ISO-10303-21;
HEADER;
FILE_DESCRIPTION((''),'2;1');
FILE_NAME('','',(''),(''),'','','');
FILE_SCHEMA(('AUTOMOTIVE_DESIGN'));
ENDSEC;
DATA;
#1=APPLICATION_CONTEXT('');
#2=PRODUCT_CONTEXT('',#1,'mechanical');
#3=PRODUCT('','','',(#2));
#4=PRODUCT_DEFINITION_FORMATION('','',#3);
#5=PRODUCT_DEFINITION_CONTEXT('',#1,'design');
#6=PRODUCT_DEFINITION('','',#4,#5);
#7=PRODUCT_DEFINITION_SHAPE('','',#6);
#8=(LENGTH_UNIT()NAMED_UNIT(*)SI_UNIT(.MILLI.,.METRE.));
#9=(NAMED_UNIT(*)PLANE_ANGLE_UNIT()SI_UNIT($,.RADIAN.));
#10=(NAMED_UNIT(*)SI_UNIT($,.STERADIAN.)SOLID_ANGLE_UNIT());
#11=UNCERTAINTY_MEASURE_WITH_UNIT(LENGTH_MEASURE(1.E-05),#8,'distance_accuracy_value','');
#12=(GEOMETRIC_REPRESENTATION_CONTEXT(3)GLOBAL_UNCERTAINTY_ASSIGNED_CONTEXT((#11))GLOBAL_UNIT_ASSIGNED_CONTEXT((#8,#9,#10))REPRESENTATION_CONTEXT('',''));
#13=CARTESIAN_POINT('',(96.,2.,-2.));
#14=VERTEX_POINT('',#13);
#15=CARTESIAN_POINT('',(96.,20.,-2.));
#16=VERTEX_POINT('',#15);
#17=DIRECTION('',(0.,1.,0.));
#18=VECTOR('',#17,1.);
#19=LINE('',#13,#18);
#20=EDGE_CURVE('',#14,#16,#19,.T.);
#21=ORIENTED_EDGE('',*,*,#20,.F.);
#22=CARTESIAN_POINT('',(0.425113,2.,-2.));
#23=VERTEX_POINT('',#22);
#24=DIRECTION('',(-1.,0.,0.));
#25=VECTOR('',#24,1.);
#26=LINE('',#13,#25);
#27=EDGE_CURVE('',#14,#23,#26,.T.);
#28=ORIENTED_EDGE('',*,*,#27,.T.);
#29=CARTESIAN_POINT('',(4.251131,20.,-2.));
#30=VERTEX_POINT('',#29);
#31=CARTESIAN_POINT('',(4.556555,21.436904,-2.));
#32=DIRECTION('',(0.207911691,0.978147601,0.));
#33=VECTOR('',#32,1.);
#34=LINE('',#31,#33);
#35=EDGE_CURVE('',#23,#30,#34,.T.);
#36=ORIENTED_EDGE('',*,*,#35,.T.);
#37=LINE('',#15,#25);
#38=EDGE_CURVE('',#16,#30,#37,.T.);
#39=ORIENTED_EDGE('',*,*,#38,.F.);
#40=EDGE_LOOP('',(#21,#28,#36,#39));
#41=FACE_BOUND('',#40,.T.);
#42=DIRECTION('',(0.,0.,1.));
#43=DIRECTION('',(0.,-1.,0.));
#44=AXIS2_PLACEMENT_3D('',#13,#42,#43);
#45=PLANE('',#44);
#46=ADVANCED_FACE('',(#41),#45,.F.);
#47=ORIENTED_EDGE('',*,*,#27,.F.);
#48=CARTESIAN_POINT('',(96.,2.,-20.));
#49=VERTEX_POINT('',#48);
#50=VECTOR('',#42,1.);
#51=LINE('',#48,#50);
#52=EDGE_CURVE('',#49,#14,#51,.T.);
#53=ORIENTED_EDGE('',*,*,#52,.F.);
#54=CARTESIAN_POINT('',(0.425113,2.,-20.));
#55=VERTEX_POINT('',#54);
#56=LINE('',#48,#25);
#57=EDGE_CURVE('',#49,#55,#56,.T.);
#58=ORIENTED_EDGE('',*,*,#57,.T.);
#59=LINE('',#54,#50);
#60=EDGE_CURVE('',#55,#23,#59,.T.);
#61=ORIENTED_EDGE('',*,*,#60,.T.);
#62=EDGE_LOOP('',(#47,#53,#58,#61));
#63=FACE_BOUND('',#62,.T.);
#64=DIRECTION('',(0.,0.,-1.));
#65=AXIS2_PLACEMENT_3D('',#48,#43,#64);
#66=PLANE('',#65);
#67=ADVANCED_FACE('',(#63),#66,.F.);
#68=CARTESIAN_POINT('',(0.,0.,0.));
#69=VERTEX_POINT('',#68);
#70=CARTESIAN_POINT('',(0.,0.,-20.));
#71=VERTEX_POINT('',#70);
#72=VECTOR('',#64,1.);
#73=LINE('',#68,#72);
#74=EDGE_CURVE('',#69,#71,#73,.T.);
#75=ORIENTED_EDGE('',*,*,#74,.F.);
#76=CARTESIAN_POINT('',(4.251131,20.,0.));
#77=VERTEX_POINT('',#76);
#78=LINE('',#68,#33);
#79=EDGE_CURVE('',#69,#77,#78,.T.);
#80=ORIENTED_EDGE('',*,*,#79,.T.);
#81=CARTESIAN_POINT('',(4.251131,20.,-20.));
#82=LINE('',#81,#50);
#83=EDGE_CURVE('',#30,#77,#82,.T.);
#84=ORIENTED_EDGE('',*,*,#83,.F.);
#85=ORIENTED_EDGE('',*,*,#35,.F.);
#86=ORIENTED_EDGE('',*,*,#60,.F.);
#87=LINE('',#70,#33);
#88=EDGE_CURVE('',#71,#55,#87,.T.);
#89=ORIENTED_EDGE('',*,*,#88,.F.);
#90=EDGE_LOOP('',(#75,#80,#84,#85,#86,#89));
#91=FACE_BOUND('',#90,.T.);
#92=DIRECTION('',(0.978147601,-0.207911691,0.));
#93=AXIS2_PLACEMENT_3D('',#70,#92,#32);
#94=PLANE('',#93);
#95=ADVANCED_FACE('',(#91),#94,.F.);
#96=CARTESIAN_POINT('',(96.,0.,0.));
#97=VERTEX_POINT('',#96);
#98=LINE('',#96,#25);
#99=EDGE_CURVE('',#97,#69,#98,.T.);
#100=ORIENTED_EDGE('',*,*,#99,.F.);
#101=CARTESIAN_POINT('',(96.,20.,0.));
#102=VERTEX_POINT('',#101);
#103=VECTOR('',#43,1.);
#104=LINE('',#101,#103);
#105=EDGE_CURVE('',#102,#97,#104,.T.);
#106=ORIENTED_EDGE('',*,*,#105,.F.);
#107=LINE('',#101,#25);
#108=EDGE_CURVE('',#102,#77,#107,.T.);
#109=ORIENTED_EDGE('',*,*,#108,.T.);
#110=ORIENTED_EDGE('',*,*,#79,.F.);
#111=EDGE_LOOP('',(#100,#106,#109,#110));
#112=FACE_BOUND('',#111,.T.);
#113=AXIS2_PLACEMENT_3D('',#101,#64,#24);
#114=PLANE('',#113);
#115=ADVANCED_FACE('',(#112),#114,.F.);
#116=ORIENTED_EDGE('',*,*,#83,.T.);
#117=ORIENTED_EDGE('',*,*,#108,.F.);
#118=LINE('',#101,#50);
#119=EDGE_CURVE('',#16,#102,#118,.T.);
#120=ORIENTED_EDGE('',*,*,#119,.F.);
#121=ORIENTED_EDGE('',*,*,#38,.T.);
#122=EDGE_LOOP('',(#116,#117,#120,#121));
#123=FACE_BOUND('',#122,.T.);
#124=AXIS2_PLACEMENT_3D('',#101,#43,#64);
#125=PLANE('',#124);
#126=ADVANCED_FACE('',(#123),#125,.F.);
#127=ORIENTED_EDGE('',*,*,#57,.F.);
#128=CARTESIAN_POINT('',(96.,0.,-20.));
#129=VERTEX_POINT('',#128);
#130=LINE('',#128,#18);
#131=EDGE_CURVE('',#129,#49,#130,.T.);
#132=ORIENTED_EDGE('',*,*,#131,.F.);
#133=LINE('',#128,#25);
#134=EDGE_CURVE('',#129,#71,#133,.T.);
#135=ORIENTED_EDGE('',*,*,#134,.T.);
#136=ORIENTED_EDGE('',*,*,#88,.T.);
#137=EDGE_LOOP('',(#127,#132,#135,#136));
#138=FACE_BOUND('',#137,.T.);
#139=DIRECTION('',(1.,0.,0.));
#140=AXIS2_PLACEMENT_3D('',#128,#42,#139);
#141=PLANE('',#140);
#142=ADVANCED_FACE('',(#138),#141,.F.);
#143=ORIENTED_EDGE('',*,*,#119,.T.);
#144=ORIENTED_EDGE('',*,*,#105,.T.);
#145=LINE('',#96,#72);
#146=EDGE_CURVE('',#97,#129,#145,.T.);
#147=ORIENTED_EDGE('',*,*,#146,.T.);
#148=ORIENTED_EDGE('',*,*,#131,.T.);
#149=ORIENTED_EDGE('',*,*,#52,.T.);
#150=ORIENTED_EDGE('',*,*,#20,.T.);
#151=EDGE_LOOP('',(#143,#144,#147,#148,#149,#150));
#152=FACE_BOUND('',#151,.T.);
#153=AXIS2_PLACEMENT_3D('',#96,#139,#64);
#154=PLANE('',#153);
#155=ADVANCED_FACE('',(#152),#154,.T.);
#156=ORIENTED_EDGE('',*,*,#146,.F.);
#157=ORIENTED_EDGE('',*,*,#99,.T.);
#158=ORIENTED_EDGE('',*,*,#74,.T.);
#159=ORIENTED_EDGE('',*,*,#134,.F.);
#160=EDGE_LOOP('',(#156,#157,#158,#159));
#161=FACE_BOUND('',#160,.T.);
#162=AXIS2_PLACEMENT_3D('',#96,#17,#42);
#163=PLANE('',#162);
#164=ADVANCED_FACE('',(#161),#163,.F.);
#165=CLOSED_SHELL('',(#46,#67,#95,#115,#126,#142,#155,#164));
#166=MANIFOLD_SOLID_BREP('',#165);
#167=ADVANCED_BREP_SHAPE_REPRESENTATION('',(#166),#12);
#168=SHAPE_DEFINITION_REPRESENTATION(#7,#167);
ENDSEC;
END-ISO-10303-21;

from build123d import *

# Parameters (mm, degrees)
BOSS_EXTRUDE1_DEPTH = 96
CUT_EXTRUDE1_DEPTH  = 101.079968026


with BuildPart() as part:
    # Sketch1 → Boss-Extrude1 (new body)
    with BuildSketch(Plane(origin=(0, 0, 0), x_dir=(0, 0, -1), z_dir=(1, 0, 0))):
        Polygon((0, 20), (0, 0), (20, 0), (20, 2), (2, 2), (2, 20), align=None)
    extrude(amount=BOSS_EXTRUDE1_DEPTH)

    # Sketch2 → Cut-Extrude1 (cut, through all)
    with BuildSketch(Plane.XY):
        Polygon((0, 0), (4.251131233, 20), (0, 20), align=None)
    extrude(amount=-CUT_EXTRUDE1_DEPTH, mode=Mode.SUBTRACT)


solid = part.part
